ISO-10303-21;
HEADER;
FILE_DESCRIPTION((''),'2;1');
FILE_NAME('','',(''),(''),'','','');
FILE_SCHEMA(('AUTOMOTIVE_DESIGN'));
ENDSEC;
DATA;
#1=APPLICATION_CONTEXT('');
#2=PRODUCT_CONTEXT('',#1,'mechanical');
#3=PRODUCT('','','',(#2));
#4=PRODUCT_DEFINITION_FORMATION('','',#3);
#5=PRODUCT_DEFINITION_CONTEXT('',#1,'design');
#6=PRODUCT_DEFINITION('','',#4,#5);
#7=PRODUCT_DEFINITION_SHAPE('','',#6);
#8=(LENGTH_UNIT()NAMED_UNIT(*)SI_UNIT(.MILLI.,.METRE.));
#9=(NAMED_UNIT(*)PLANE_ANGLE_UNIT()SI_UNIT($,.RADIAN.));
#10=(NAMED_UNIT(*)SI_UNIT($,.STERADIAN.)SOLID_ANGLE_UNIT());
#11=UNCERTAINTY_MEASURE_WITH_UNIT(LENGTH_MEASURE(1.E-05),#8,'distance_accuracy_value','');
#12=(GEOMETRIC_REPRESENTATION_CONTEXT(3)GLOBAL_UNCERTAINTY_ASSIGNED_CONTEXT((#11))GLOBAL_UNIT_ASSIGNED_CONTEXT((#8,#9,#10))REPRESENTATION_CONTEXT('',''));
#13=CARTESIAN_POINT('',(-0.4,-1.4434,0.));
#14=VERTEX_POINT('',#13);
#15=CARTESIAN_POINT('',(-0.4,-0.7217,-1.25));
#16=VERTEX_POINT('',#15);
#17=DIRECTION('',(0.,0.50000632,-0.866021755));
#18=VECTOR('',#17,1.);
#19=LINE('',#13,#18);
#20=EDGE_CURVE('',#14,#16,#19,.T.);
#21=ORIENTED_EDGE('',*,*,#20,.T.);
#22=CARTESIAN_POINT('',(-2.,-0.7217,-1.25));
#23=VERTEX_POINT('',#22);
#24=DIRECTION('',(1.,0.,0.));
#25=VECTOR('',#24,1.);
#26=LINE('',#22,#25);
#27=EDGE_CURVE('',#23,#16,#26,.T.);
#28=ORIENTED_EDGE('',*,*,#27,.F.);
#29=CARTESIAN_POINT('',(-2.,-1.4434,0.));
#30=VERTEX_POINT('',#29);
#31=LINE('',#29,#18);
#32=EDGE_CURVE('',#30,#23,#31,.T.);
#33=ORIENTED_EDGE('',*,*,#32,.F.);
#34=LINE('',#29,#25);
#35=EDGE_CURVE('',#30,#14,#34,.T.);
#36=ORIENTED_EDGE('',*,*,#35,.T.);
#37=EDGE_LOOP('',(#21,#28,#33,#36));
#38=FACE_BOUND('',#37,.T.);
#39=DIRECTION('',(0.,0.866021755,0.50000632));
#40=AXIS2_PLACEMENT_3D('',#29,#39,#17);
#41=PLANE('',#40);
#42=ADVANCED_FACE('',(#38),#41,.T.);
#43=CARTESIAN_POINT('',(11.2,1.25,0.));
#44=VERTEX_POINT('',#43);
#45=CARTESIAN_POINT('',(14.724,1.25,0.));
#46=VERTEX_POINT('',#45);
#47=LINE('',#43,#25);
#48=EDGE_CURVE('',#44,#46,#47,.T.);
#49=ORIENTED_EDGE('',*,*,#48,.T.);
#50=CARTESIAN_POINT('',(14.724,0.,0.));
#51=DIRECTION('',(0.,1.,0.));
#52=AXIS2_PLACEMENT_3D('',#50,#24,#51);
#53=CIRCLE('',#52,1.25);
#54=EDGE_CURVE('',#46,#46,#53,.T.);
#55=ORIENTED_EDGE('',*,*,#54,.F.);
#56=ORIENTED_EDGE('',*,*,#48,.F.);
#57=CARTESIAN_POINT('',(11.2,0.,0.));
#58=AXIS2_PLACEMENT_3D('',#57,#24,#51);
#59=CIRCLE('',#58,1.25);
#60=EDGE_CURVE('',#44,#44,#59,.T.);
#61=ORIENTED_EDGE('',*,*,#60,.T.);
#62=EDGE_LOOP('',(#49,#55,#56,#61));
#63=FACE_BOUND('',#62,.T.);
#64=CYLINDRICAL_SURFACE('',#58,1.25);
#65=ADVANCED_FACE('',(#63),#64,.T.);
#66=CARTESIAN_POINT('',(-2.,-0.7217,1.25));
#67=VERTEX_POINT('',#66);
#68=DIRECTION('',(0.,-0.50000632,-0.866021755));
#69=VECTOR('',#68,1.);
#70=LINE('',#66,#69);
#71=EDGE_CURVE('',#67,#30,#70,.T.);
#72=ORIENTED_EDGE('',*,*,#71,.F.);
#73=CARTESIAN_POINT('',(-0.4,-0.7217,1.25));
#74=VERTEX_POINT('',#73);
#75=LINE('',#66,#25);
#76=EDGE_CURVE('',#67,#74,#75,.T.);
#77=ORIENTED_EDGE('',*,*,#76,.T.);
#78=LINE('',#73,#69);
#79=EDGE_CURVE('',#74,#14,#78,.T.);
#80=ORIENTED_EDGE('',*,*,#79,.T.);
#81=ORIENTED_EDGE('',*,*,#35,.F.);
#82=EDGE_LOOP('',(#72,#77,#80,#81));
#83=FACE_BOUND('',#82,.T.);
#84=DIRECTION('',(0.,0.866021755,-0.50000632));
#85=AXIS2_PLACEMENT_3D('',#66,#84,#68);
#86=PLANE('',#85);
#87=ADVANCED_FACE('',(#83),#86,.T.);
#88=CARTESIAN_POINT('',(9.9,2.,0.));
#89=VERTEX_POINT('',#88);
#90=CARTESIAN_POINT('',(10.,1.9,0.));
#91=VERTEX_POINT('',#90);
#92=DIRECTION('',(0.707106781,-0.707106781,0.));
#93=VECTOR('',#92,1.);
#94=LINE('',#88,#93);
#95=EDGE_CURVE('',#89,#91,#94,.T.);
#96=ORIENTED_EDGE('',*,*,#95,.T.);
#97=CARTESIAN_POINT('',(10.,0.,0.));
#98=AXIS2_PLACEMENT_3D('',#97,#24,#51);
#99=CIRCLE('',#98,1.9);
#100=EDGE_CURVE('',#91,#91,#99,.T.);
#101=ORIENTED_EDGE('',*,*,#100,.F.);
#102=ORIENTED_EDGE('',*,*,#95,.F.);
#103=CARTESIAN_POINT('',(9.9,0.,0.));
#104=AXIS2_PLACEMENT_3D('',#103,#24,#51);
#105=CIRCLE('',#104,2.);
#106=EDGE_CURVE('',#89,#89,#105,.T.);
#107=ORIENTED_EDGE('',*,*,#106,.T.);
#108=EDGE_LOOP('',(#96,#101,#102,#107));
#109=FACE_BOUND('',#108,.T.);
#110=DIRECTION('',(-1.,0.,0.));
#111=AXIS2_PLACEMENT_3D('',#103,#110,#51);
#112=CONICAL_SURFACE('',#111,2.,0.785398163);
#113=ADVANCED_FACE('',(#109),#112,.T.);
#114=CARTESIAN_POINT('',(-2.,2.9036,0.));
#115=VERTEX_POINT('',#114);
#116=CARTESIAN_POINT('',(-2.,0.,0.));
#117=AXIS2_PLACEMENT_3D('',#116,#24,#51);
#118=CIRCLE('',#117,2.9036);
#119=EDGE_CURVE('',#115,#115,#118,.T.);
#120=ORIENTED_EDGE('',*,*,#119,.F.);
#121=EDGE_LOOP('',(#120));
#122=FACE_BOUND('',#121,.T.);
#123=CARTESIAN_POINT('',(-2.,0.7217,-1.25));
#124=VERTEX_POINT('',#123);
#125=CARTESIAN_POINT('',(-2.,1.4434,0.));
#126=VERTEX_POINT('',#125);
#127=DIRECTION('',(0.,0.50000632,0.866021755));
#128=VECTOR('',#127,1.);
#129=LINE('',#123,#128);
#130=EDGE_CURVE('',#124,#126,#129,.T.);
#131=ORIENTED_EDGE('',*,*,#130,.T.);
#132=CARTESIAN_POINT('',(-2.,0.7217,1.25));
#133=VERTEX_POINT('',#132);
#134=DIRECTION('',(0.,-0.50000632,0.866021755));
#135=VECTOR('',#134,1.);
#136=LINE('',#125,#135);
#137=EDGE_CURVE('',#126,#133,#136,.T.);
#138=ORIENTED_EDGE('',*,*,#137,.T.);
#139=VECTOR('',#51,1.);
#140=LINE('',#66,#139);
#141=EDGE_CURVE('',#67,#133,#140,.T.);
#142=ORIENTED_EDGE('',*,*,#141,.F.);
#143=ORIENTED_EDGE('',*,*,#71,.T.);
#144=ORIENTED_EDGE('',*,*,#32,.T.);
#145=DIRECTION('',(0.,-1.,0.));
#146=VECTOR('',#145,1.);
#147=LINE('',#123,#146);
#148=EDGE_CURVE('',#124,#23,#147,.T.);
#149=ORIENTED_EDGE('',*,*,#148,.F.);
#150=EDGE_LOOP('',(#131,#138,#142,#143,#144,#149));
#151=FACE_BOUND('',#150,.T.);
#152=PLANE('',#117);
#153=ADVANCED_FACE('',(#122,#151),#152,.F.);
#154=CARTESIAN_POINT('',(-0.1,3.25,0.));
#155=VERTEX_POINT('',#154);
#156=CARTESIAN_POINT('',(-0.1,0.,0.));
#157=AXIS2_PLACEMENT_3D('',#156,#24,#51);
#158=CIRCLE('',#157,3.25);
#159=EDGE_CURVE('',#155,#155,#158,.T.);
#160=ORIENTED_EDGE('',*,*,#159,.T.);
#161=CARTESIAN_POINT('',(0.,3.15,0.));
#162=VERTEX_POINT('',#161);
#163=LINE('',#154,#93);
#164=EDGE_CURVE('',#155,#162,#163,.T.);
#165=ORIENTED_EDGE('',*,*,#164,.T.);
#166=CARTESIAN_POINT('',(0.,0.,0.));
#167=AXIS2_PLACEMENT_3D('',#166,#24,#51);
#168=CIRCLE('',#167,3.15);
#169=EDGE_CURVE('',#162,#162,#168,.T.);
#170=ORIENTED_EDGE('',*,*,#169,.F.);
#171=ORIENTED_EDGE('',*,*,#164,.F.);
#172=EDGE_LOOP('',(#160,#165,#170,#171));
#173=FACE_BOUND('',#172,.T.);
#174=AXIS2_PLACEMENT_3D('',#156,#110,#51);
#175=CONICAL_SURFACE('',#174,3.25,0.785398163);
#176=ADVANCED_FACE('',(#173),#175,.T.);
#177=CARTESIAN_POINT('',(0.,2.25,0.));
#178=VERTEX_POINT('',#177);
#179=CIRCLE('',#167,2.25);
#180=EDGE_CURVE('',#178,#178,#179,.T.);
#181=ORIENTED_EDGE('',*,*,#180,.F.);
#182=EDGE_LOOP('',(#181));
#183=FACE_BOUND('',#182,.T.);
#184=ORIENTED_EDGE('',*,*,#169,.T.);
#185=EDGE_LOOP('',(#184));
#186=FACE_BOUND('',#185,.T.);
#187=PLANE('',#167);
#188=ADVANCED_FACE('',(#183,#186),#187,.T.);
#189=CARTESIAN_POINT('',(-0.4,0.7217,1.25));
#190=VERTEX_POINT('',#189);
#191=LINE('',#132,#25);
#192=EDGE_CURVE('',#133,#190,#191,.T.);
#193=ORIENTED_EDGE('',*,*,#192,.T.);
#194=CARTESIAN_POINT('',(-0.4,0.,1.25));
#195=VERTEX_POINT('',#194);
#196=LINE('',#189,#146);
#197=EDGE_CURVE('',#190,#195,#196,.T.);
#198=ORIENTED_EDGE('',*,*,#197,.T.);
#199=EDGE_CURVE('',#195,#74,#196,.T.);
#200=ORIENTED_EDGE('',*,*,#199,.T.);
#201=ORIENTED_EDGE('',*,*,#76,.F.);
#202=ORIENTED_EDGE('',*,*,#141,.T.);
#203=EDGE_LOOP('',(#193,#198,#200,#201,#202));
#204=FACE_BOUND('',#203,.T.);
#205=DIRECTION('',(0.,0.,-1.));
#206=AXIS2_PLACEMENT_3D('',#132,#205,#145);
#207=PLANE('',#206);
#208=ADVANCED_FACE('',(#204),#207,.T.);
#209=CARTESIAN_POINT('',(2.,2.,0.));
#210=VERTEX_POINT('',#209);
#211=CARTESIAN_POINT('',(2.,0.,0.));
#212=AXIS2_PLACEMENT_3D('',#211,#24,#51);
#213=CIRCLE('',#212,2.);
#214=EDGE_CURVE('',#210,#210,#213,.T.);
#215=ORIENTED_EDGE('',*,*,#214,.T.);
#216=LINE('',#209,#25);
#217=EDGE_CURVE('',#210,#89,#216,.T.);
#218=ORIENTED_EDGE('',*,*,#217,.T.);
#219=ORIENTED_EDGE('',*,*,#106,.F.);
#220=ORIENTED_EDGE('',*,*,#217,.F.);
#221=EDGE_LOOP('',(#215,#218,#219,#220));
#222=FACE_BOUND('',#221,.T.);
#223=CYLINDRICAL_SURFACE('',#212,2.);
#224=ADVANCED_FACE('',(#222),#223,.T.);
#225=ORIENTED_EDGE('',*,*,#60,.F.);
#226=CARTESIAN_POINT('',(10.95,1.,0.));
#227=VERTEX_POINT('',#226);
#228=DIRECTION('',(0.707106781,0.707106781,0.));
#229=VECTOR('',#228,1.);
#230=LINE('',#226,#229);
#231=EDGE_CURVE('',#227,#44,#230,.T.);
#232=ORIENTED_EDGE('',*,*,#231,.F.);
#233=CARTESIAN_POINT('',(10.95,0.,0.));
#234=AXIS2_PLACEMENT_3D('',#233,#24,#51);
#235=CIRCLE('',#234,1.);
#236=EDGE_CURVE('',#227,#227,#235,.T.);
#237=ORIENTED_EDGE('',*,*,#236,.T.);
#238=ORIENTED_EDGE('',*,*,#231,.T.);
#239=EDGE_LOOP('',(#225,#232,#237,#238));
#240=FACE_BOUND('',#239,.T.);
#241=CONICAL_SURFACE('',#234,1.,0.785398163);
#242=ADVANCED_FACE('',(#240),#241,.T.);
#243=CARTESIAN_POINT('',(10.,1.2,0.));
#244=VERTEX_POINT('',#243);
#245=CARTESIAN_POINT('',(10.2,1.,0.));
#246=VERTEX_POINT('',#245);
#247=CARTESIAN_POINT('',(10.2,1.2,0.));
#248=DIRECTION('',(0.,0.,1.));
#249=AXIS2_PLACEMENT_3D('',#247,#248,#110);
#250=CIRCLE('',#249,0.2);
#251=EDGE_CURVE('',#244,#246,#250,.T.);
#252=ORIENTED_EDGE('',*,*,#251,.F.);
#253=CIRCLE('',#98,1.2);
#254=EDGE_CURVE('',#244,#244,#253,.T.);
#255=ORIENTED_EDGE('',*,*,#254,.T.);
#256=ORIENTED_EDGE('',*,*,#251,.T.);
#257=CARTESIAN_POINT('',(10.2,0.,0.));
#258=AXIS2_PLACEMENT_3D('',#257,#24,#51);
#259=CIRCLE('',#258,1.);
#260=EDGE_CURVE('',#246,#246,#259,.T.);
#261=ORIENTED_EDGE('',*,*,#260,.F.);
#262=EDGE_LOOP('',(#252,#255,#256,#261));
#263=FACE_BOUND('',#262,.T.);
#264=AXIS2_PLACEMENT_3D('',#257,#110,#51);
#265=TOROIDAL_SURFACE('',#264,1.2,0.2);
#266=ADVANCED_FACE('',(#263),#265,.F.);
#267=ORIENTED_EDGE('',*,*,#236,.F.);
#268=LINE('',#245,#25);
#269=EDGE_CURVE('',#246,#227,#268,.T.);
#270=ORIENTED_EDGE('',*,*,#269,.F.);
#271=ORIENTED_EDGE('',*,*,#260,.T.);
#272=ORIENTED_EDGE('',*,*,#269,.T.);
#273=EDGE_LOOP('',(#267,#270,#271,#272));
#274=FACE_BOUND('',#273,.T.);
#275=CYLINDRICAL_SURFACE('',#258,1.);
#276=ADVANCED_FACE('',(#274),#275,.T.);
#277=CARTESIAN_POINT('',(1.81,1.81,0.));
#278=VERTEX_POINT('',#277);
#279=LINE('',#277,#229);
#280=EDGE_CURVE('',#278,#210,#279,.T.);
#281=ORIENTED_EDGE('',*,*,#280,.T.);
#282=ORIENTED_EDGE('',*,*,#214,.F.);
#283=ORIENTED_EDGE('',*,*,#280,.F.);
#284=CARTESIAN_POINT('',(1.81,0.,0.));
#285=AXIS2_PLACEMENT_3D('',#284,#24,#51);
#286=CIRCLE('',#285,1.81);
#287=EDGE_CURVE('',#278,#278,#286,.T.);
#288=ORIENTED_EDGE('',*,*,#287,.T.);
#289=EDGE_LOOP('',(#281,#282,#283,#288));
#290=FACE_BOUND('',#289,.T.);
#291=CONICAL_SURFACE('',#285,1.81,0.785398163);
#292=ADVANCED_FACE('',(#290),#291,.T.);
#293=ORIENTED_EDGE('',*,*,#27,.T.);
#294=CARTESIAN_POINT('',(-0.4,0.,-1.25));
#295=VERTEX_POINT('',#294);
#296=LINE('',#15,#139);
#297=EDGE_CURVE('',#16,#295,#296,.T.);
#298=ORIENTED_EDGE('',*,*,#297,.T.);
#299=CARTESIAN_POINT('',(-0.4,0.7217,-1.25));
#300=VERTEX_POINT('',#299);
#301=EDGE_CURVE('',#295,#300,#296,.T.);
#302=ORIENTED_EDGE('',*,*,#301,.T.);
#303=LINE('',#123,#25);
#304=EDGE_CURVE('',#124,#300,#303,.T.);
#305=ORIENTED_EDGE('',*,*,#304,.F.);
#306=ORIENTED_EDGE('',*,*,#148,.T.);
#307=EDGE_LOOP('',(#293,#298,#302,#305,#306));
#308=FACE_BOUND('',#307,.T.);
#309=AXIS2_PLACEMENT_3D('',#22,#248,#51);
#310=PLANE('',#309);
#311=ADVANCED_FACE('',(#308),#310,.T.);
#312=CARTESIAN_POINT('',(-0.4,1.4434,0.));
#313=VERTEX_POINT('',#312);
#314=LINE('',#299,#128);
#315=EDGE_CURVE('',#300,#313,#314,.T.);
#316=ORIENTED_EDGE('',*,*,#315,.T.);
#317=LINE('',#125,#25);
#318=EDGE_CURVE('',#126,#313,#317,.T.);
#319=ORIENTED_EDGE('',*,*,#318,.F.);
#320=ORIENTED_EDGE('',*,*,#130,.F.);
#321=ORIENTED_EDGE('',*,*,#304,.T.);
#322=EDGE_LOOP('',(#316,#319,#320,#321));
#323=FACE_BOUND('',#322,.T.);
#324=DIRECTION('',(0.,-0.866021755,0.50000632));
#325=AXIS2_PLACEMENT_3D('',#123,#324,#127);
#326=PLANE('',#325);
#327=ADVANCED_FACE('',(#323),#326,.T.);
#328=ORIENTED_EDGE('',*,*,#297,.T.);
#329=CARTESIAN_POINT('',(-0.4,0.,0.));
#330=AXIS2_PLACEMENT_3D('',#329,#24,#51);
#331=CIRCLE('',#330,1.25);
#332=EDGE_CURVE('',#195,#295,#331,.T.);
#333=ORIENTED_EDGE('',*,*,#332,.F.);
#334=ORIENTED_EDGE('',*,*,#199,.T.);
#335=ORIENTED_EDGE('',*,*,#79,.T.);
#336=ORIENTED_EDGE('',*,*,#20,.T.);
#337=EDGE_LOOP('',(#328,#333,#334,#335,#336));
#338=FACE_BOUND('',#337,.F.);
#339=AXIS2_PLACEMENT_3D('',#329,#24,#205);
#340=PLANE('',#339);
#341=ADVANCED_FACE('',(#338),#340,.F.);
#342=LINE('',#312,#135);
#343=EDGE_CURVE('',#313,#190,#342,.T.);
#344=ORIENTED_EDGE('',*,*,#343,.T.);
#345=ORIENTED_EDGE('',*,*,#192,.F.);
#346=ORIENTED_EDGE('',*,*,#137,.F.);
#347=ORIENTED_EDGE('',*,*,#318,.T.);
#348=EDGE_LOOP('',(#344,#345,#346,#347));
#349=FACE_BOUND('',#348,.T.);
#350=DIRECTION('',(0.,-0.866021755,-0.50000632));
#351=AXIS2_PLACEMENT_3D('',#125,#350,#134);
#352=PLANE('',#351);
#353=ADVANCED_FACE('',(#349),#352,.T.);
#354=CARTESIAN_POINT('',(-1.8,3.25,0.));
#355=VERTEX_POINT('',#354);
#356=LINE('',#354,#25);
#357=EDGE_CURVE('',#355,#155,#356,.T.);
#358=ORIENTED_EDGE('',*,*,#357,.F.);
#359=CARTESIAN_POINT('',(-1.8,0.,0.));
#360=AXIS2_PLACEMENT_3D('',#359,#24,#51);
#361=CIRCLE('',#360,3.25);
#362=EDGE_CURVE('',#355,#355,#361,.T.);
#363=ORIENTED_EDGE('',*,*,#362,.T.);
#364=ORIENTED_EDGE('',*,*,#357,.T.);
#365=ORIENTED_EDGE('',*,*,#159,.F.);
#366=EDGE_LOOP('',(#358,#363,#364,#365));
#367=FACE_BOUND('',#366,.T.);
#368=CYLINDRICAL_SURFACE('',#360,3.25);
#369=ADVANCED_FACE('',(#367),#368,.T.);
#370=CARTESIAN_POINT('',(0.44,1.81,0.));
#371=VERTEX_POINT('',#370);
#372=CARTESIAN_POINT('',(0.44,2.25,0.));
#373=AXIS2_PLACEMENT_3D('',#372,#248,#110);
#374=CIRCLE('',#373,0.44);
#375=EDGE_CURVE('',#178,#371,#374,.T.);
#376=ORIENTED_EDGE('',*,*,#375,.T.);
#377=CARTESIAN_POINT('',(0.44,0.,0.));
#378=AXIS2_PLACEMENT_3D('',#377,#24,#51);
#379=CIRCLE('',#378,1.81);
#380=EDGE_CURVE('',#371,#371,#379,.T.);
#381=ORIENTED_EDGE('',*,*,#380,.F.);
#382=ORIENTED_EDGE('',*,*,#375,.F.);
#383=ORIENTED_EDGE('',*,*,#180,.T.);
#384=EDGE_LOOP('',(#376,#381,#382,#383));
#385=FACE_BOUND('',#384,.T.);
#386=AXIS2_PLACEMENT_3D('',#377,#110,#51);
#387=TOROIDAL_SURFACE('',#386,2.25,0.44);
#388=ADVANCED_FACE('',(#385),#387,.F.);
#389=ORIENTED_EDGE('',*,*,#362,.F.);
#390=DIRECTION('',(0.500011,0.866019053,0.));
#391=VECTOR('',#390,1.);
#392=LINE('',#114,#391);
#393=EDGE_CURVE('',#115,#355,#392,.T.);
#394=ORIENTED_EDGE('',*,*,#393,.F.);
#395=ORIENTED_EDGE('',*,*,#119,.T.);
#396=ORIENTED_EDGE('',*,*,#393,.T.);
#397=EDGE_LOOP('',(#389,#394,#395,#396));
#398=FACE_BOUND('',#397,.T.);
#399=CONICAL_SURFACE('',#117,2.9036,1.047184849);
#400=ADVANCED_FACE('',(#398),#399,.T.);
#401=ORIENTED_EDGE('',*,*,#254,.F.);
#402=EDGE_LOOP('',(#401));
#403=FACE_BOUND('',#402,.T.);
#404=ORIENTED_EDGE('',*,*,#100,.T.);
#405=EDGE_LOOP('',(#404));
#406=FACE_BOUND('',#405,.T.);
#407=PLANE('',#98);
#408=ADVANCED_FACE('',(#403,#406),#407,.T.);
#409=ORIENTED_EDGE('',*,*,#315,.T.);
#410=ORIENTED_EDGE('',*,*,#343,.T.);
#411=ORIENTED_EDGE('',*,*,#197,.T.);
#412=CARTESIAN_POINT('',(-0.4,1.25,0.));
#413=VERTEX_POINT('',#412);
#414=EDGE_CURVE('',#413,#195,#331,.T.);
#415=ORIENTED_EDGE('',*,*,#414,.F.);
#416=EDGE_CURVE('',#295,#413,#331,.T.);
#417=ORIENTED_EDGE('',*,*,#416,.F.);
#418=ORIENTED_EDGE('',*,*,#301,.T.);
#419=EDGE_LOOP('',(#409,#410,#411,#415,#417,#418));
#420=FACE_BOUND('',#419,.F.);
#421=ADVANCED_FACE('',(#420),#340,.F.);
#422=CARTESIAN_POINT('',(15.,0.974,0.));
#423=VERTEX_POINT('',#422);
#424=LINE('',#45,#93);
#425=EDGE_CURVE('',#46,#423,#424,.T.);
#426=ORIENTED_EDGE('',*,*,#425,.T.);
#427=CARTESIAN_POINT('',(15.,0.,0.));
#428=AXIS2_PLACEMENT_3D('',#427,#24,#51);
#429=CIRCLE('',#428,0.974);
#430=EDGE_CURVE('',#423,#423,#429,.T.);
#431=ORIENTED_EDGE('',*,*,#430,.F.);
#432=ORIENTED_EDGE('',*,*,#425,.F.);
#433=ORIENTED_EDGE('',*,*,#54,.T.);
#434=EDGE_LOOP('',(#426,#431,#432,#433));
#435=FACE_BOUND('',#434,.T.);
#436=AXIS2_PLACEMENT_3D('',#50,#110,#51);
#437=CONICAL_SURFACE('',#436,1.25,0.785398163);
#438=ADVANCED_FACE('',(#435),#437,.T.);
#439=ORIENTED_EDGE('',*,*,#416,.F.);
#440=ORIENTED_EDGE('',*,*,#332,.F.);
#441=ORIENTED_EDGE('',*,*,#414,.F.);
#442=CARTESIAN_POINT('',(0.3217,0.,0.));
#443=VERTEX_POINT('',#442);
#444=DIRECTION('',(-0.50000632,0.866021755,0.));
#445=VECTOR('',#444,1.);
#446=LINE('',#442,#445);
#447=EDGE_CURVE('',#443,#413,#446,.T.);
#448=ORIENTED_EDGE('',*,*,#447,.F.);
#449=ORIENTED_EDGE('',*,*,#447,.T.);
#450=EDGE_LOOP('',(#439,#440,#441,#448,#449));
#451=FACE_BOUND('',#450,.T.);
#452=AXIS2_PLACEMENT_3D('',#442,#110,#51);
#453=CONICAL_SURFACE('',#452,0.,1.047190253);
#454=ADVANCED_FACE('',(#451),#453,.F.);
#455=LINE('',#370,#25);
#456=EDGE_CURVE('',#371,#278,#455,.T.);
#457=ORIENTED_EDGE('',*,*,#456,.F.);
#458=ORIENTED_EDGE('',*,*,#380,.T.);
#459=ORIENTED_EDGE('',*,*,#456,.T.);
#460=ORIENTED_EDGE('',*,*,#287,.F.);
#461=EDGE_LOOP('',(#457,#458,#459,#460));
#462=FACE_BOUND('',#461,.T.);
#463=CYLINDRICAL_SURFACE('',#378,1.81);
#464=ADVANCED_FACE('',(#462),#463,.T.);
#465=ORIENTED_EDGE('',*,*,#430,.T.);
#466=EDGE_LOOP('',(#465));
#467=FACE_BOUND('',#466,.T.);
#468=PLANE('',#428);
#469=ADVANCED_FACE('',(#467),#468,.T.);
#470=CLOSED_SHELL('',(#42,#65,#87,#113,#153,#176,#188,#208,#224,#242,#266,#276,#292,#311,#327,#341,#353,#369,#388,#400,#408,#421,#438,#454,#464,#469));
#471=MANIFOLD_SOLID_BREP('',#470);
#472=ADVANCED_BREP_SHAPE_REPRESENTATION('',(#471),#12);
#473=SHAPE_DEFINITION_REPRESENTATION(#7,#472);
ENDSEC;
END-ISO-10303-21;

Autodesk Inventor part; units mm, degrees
ref_plane "YZ Plane" through (0, 0, 0) normal (1, 0, 0) x (0, 1, 0)
ref_plane "XZ Plane" through (0, 0, 0) normal (0, 1, 0) x (-1, 0, 0)
ref_plane "XY Plane" through (0, 0, 0) normal (0, 0, 1) x (1, 0, 0)
sketch "_____1" plane through (0, 0, 0) normal (0, 0, 1) x (1, 0, 0)
  line L0 (15, 0) -> (0.3217, 0)
  line L1 (0.3217, 0) -> (-0.4, 1.25)
  line L2 (-0.4, 1.25) -> (-2, 1.25)
  line L3 (-2, 1.25) -> (-2, 2.9036)
  line L4 (-2, 2.9036) -> (-1.8, 3.25)
  line L5 (-1.8, 3.25) -> (-0.1, 3.25)
  line L6 (-0.1, 3.25) -> (0, 3.15)
  line L7 (0, 3.15) -> (0, 2.25)
  arc A0 (0, 2.25) -> (0.44, 1.81) centre (0.44, 2.25) ccw
  line L8 (0.44, 1.81) -> (1.81, 1.81)
  line L9 (1.81, 1.81) -> (2, 2)
  line L10 (2, 2) -> (9.9, 2)
  line L11 (9.9, 2) -> (10, 1.9)
  line L12 (10, 1.9) -> (10, 1.2)
  arc A1 (10, 1.2) -> (10.2, 1) centre (10.2, 1.2) ccw
  line L13 (10.2, 1) -> (10.95, 1)
  line L14 (10.95, 1) -> (11.2, 1.25)
  line L15 (11.2, 1.25) -> (14.724, 1.25)
  line L16 (14.724, 1.25) -> (15, 0.974)
  line L17 (15, 0.974) -> (15, 0)
  line L18 (15, 0) -> (0.3217, 0)
revolve "Revolution1" add sketch "_____1" angle 360 about axis through (15, 0, 0) along (1, 0, 0)
thread "Thread1" size "M2.5x0.45" class "6g" standard "ISO Metric profile" full length
sketch "_____2" plane through (-2, 0, 0) normal (1, 0, 0) x (0, 0, -1)
  line L0 (-1.25, -0.7217) -> (0, -1.4434)
  line L1 (0, -1.4434) -> (1.25, -0.7217)
  line L2 (1.25, -0.7217) -> (1.25, 0.7217)
  line L3 (1.25, 0.7217) -> (0, 1.4434)
  line L4 (0, 1.4434) -> (-1.25, 0.7217)
  line L5 (-1.25, 0.7217) -> (-1.25, -0.7217)
extrude "Extrusion1" cut sketch "_____2" along normal blind 1.6
properties part number "LMSBP4-10"
